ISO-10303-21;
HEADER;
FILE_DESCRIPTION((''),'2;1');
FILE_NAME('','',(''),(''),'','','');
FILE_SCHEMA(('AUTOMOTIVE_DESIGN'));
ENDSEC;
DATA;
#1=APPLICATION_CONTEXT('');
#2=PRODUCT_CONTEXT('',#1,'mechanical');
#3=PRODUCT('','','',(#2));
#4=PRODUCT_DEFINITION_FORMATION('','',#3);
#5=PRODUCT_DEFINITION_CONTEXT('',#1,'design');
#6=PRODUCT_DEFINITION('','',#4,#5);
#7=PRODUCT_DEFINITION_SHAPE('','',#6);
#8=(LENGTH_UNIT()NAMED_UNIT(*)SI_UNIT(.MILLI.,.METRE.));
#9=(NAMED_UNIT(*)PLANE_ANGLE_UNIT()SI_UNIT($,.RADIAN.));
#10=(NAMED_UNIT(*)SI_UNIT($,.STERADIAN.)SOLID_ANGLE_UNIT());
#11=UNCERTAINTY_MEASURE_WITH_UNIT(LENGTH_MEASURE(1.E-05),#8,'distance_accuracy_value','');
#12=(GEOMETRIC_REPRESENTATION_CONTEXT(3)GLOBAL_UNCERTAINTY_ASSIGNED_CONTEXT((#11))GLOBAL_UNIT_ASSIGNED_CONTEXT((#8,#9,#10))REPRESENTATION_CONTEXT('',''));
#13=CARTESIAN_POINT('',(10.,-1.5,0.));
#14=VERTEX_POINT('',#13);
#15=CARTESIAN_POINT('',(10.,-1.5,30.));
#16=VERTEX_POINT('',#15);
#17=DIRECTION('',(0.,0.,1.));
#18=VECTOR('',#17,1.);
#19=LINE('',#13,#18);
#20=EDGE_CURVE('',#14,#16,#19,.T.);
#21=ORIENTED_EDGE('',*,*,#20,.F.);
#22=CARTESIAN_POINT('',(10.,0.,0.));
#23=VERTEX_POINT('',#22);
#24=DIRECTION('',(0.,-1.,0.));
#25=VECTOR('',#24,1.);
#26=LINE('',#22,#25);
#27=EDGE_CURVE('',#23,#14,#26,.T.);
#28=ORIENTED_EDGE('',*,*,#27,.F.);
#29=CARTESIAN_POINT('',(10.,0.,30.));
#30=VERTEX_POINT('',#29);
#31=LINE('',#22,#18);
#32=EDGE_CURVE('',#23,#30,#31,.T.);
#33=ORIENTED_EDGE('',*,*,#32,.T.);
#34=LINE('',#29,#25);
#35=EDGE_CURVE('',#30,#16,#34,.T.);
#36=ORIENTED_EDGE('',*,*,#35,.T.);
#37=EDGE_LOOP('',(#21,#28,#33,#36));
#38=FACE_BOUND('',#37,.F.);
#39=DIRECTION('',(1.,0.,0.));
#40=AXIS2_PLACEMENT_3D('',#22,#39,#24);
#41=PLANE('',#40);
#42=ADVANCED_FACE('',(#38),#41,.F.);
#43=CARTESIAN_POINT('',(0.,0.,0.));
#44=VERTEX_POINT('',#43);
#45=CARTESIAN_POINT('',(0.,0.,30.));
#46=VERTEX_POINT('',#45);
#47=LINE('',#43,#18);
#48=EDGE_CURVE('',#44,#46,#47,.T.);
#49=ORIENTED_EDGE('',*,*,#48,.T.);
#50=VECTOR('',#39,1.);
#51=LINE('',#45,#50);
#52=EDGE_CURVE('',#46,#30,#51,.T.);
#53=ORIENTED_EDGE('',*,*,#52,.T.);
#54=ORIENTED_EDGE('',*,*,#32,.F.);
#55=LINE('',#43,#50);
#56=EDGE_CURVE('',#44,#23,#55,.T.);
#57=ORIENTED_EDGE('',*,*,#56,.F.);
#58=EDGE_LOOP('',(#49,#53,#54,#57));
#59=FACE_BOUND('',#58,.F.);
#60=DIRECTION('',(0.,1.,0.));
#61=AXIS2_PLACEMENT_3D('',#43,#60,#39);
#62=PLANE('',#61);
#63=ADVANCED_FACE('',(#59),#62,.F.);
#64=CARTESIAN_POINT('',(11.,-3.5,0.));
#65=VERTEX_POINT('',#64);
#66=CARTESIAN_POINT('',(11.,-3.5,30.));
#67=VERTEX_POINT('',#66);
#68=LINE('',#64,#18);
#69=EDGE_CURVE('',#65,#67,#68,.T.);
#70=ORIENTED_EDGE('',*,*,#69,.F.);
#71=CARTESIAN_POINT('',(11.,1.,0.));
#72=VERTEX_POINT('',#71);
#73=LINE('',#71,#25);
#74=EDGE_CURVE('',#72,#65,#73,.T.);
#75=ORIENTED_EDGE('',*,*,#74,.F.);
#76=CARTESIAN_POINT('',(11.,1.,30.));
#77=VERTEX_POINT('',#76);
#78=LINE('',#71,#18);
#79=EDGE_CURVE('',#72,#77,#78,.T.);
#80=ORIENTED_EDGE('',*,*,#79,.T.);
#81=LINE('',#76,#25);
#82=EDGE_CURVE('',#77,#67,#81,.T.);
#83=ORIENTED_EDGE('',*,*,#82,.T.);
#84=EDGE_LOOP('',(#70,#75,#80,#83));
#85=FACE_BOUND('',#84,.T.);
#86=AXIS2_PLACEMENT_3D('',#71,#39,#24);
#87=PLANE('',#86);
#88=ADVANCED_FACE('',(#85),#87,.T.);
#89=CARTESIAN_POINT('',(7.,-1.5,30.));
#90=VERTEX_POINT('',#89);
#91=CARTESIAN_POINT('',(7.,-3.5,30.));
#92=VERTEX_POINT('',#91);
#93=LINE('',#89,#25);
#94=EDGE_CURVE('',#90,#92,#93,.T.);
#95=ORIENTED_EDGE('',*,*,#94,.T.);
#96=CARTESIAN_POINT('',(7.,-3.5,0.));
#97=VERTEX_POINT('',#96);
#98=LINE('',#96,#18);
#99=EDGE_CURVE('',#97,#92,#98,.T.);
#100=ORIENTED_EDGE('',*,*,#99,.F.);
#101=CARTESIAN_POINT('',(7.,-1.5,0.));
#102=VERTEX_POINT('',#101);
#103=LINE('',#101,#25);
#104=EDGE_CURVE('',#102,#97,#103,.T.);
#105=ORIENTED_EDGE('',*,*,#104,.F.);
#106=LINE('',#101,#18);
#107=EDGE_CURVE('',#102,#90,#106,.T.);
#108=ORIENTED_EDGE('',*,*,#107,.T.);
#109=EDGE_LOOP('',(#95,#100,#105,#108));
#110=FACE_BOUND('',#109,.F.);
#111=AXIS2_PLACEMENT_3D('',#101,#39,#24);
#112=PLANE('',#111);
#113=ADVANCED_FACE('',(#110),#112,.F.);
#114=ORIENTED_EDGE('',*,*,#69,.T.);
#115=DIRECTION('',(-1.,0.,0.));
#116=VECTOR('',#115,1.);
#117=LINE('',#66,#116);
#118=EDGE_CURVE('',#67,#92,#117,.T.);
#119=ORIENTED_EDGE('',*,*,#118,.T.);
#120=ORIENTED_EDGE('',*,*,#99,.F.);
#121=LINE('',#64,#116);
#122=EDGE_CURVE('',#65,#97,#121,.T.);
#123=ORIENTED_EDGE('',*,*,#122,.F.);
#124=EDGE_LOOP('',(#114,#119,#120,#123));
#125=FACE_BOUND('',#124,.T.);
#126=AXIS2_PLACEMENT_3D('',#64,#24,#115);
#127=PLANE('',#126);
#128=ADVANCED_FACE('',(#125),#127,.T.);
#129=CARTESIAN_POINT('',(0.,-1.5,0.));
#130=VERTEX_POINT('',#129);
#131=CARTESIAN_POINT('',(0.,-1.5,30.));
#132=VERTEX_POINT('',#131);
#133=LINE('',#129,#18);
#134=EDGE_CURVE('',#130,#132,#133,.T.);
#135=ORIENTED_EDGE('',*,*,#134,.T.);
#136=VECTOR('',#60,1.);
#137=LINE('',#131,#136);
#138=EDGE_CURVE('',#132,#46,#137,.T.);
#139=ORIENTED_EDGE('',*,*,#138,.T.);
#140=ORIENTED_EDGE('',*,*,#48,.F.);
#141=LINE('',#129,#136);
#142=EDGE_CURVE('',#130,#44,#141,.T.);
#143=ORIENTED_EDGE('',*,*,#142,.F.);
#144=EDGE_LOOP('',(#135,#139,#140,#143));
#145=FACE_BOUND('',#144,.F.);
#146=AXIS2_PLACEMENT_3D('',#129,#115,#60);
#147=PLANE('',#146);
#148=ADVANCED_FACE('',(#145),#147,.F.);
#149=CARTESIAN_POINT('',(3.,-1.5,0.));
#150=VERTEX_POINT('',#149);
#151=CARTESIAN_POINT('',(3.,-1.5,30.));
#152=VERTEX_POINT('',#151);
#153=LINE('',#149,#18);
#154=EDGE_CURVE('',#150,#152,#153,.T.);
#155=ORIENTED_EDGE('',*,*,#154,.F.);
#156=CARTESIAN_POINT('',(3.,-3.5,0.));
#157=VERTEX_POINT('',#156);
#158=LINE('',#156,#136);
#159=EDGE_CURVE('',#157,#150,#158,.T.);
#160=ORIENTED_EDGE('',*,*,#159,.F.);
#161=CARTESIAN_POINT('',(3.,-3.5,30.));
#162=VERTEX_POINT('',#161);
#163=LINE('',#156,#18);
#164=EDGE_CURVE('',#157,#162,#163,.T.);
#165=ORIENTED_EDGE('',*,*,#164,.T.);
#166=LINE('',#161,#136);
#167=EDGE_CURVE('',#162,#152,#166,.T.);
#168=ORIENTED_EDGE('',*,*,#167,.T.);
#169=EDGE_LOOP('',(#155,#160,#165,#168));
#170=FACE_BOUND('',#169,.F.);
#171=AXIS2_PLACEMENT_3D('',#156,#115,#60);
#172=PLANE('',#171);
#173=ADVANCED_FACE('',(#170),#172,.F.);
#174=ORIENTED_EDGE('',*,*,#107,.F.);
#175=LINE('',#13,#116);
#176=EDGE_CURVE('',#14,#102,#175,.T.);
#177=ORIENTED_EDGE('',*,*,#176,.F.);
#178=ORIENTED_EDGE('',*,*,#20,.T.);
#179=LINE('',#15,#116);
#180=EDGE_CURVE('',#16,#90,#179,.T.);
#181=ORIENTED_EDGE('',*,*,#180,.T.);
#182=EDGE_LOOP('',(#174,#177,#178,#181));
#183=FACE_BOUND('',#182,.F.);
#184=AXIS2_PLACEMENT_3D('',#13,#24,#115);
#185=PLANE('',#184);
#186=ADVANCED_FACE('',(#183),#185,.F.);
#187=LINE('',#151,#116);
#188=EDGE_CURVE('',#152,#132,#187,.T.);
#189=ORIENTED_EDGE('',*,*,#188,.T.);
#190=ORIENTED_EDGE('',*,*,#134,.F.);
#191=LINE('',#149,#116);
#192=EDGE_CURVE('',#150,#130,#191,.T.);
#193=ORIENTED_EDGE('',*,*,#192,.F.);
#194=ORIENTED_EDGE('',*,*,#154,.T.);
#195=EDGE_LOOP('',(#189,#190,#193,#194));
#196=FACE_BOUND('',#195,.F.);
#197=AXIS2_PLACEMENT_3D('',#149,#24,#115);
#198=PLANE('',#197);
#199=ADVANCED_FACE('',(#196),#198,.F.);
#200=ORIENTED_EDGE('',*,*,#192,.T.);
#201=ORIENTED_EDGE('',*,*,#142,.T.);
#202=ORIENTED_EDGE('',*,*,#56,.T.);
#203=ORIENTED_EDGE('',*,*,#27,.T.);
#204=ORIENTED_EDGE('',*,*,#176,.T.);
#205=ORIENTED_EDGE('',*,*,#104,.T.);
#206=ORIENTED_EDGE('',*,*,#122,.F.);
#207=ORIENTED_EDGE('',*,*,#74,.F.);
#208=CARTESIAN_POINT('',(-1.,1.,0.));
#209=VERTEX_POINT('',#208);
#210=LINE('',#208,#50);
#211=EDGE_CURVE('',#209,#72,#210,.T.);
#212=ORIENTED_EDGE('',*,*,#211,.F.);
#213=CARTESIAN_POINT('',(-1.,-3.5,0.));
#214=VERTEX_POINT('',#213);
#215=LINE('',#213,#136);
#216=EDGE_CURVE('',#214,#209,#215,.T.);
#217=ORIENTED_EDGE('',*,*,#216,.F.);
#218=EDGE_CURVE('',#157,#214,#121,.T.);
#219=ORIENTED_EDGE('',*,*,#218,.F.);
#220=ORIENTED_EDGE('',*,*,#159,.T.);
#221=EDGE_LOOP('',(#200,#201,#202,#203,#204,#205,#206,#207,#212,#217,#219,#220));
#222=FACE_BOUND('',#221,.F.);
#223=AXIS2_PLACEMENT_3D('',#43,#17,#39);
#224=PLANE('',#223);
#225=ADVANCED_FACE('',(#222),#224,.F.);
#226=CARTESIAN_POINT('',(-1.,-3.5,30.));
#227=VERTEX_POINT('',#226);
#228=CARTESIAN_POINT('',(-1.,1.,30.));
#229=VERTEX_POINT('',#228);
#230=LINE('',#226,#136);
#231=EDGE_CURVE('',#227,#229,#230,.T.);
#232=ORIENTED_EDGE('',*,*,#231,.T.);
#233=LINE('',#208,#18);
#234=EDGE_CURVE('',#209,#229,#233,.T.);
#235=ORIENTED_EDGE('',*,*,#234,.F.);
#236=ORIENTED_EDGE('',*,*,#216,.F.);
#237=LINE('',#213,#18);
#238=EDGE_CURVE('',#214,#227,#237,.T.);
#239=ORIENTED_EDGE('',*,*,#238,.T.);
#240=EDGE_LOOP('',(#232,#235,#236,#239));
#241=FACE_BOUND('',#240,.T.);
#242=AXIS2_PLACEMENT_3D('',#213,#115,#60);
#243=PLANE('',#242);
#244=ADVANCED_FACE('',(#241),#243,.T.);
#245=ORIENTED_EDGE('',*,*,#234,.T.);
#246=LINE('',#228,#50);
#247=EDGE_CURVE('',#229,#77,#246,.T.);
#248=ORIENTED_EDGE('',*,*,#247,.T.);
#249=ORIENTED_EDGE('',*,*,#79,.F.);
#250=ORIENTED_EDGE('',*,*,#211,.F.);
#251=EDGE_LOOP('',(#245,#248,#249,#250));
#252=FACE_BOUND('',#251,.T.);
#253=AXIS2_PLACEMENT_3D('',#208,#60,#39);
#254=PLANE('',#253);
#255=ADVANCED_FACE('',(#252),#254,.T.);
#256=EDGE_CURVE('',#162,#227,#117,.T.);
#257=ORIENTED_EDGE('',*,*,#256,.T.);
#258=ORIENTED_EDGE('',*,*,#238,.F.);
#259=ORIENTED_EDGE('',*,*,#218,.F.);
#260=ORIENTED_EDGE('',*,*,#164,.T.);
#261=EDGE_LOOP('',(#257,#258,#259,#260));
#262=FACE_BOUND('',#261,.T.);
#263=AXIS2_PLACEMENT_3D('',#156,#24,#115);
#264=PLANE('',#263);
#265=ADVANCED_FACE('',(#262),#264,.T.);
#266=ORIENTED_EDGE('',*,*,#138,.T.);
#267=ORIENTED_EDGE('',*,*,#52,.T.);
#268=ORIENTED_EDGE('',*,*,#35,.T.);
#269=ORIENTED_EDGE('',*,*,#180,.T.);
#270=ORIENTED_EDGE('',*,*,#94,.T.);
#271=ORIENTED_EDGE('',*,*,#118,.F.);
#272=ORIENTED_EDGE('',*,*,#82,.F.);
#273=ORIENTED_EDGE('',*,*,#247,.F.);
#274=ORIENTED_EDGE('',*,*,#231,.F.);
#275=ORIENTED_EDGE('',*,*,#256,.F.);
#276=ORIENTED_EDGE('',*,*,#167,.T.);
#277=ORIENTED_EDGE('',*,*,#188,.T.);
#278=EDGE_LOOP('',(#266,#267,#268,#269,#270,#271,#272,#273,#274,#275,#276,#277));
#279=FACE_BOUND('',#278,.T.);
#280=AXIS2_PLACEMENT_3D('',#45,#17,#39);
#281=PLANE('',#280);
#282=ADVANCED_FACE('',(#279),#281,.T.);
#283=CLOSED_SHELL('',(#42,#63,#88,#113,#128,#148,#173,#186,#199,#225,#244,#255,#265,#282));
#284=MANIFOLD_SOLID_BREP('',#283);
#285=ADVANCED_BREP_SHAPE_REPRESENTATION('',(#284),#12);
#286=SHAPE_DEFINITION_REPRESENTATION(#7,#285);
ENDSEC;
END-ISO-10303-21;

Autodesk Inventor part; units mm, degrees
ref_plane "YZ Plane" through (0, 0, 0) normal (1, 0, 0) x (0, 1, 0)
ref_plane "XZ Plane" through (0, 0, 0) normal (0, 1, 0) x (-1, 0, 0)
ref_plane "XY Plane" through (0, 0, 0) normal (0, 0, 1) x (1, 0, 0)
sketch "Boceto1" plane through (0, 0, 0) normal (0, 0, 1) x (1, 0, 0)
  line L0 (0, 0) -> (10, 0)
  line L1 (10, 0) -> (10, -1.5)
  line L2 (10, -1.5) -> (7, -1.5)
  line L3 (7, -1.5) -> (7, -3.5)
  line L4 (7, -3.5) -> (3, -3.5)
  line L5 (3, -3.5) -> (3, -1.5)
  line L6 (3, -1.5) -> (0, -1.5)
  line L7 (0, -1.5) -> (0, 0)
  line L8 (-1, 1) -> (11, 1)
  line L9 (11, 1) -> (11, -3.5)
  line L10 (11, -3.5) -> (-1, -3.5)
  line L11 (-1, -3.5) -> (-1, 1)
  dimension "d16" = 10
  dimension "d17" = 1.5
  dimension "d18" = 3
  dimension "d19" = 2
  dimension "d20" = 4
  dimension "d21" = 12
extrude "Extrusión1" add sketch "Boceto1" along normal blind 30 contours L7 L6 L5 L10 L11 L8 L9 L3 L2 L1 L0
properties part number "Carro_riel"
